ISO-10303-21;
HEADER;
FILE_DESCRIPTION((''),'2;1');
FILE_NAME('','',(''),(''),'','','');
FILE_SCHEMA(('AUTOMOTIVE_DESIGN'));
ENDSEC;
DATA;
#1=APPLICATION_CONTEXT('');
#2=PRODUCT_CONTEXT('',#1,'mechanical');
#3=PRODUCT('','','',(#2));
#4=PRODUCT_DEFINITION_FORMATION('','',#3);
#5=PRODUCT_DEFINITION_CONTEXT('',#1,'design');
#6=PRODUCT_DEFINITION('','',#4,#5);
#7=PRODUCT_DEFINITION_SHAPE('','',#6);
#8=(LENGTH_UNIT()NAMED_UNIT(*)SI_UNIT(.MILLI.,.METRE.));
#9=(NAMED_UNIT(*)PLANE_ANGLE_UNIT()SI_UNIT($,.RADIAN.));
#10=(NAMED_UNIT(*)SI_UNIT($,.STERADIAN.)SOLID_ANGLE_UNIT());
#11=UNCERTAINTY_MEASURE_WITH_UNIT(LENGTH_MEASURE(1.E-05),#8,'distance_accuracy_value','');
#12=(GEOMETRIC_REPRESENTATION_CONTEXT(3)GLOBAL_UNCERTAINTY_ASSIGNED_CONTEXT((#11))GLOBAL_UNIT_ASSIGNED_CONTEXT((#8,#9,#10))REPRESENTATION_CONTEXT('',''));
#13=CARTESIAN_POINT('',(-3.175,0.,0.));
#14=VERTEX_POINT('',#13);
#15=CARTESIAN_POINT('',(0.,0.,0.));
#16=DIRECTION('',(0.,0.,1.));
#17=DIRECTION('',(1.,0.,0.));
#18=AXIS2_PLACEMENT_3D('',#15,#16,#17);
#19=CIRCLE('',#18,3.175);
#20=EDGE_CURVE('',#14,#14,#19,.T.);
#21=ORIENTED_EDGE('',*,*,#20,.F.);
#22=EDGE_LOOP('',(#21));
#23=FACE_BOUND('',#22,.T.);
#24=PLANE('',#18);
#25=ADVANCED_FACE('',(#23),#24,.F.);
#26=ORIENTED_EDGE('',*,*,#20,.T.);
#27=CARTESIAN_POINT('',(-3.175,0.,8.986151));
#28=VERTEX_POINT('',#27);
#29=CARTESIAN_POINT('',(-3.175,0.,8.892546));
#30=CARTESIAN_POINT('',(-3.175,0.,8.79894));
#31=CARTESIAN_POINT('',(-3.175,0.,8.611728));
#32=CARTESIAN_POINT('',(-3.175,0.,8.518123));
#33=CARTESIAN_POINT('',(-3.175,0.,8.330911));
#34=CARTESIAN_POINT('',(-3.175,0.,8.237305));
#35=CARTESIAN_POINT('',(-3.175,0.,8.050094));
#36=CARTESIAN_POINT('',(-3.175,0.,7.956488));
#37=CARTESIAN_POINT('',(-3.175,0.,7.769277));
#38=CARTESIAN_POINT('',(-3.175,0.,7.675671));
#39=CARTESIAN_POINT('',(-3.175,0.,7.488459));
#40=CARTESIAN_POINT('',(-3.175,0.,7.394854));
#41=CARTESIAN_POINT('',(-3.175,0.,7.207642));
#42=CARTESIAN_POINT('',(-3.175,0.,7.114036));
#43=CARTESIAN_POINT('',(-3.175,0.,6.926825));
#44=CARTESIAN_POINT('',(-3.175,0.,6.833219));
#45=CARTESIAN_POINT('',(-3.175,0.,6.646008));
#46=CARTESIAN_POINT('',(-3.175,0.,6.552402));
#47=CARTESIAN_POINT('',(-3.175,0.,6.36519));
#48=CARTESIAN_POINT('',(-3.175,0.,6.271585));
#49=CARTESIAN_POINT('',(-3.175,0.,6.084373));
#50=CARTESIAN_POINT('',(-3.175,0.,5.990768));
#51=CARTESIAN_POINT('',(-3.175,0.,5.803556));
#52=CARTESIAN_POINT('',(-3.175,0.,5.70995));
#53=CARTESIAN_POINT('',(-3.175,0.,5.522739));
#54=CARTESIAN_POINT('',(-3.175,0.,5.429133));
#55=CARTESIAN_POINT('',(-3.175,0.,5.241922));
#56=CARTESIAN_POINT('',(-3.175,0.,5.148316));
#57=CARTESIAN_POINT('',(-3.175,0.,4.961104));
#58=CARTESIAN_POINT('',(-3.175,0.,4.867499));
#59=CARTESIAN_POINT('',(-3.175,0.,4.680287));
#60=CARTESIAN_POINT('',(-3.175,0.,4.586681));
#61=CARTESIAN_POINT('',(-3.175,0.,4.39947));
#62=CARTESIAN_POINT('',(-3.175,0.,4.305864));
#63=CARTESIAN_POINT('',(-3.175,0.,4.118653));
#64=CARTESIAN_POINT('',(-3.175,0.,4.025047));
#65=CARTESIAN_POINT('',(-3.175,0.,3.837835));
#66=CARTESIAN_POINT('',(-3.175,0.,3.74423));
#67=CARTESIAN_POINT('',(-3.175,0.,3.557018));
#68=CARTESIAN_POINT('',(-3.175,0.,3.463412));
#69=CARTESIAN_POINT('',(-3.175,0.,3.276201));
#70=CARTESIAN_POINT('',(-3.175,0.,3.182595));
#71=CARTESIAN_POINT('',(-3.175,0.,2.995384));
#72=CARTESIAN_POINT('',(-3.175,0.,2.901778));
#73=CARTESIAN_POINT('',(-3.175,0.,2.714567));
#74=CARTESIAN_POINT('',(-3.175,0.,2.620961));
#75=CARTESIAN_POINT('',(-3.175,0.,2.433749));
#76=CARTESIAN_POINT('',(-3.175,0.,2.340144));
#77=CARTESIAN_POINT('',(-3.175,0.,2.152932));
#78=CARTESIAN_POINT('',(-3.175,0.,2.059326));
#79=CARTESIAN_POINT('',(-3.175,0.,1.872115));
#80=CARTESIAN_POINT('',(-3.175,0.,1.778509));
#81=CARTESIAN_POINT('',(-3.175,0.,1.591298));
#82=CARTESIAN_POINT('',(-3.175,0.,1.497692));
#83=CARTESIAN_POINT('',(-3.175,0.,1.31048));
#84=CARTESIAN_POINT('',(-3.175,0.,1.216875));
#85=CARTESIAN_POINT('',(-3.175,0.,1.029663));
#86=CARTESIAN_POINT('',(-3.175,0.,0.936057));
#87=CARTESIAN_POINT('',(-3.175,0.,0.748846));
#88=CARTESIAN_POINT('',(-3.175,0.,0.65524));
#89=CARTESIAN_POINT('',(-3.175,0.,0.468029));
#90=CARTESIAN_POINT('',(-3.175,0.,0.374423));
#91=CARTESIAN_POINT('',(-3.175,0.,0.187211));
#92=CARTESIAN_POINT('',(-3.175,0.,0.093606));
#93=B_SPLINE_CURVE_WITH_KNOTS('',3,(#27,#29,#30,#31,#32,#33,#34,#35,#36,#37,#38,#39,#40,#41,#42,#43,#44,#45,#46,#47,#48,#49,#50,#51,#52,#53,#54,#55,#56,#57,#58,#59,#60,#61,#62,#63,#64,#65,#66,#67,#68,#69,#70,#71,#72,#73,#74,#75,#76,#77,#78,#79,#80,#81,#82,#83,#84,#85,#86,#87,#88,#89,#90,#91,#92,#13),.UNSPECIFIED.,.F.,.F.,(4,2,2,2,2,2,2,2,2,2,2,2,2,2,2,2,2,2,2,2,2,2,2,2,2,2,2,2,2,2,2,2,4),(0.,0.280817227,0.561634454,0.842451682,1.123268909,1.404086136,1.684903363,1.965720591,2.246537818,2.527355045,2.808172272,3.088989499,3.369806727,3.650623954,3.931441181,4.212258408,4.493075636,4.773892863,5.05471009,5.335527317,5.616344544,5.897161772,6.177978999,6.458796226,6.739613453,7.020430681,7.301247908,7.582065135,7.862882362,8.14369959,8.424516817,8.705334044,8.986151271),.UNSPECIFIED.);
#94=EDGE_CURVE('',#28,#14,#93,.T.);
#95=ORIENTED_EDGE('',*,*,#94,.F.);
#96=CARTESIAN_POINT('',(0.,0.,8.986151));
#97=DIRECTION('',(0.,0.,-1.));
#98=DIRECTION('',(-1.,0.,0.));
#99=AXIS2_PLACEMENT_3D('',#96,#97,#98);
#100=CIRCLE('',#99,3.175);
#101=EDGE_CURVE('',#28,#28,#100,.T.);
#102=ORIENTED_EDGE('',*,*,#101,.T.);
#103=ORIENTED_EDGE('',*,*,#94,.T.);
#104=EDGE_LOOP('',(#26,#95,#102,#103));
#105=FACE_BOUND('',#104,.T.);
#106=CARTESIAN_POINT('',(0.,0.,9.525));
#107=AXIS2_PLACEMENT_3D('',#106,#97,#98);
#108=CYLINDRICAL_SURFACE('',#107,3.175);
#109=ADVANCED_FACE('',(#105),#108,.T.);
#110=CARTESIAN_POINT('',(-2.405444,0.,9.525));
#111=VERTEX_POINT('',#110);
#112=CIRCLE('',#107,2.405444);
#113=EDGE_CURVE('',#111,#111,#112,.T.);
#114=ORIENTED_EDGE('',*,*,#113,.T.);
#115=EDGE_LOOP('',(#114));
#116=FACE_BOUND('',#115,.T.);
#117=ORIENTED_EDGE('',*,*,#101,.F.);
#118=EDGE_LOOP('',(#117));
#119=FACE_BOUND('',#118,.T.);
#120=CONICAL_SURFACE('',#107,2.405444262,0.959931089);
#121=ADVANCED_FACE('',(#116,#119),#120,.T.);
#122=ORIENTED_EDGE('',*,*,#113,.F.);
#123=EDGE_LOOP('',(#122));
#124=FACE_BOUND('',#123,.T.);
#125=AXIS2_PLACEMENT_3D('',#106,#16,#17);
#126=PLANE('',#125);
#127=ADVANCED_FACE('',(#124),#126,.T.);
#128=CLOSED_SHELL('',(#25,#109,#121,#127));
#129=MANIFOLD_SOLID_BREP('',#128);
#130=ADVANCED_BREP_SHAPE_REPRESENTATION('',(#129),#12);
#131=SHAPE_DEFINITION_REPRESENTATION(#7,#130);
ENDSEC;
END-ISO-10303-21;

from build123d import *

# Parameters (mm, degrees)
SKETCH1_R           = 3.175
BOSS_EXTRUDE1_DEPTH = 9.525


with BuildPart() as part:
    # Sketch1 → Boss-Extrude1 (new body)
    with BuildSketch(Plane.XY):
        Circle(SKETCH1_R)
    extrude(amount=BOSS_EXTRUDE1_DEPTH)

    # Sketch2 → Cut-Revolve1 (revolve, cut)
    with BuildSketch(Plane(origin=(0, 0, 0), x_dir=(0, 0, -1), z_dir=(1, 0, 0))):
        Polygon((-9.525, 3.175), (-9.525, 2.405444262), (-8.986151271, 3.175), align=None)
    revolve(axis=Axis((0, 0, 0), (0, 0, 1)), mode=Mode.SUBTRACT)


solid = part.part
